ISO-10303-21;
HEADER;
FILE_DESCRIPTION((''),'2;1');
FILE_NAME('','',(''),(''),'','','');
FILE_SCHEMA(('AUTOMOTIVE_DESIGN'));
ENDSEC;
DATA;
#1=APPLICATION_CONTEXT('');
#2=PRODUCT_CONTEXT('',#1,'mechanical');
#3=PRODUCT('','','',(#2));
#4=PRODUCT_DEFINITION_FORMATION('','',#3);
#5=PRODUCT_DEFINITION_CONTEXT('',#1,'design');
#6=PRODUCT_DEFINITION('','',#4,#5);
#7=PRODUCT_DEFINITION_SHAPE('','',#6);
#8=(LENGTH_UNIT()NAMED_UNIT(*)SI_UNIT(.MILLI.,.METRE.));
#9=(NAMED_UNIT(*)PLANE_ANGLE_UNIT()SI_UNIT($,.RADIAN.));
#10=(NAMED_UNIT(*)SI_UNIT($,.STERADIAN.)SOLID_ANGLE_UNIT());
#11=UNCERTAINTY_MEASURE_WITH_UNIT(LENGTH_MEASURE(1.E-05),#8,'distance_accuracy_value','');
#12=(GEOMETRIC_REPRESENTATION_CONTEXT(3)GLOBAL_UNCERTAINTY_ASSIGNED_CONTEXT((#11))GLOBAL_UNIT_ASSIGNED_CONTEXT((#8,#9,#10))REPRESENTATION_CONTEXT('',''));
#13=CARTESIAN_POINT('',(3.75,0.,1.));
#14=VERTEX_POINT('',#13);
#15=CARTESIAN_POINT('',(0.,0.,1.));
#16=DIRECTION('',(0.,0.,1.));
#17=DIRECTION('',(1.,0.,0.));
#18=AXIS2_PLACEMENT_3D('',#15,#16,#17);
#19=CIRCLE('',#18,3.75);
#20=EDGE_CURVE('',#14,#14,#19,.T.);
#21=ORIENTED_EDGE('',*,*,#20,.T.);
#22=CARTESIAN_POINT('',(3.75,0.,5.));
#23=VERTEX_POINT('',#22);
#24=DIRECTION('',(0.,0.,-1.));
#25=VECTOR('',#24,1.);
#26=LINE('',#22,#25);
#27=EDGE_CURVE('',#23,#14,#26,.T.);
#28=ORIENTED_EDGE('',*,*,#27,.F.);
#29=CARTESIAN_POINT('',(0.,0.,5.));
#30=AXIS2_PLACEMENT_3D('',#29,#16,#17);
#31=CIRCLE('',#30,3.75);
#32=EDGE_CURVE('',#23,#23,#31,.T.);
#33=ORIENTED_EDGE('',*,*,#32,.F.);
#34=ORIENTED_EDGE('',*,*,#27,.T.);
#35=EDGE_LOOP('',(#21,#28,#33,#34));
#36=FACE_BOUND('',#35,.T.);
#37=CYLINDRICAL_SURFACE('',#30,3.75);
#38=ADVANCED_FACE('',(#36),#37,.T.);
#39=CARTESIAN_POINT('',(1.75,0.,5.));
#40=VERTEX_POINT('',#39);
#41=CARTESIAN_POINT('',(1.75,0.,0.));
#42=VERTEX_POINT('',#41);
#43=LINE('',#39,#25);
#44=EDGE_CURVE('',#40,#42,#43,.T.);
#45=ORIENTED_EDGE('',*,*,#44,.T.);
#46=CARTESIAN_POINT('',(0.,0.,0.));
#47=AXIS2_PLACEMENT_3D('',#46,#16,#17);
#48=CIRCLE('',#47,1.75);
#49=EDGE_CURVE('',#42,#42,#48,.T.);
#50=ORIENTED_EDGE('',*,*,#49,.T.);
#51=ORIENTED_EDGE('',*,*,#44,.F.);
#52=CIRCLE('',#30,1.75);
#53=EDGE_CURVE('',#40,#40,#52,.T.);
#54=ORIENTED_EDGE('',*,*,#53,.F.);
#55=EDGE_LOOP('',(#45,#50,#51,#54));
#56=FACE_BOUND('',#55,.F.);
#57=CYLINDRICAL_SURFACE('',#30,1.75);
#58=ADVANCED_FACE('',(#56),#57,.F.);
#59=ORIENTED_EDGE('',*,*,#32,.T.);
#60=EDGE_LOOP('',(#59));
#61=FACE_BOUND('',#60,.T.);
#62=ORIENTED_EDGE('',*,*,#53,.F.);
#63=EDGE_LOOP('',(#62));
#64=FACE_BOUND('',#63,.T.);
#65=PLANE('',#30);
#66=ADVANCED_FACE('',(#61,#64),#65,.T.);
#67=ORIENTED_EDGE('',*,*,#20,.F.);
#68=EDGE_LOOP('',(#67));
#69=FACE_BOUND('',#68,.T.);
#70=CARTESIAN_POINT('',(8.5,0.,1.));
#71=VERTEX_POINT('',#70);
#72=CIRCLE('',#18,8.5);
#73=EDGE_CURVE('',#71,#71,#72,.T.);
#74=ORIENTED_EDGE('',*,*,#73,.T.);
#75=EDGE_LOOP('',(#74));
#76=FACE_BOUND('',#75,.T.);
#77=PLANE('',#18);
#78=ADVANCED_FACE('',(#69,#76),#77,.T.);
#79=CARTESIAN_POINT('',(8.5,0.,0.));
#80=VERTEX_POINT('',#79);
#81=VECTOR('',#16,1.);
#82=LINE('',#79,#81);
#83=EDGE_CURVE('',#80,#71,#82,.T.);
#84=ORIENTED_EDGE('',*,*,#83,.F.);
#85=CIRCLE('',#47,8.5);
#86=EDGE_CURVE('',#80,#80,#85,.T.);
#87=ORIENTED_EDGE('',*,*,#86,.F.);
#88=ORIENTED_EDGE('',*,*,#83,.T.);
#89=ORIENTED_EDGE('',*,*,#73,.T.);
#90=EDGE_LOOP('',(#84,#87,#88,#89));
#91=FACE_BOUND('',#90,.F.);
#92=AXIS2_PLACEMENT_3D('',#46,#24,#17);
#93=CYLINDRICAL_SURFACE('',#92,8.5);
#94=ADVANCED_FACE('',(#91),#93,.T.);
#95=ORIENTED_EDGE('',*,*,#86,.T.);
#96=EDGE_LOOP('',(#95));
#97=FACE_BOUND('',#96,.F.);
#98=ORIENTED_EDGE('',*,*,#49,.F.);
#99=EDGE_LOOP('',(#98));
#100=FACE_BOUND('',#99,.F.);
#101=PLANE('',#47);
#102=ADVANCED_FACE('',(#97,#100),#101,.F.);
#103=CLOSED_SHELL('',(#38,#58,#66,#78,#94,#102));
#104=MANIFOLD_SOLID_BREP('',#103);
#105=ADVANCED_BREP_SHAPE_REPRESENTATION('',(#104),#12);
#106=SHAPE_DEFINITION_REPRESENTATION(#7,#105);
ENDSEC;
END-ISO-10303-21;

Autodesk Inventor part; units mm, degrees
ref_plane "YZ Plane" through (0, 0, 0) normal (1, 0, 0) x (0, 1, 0)
ref_plane "XZ Plane" through (0, 0, 0) normal (0, 1, 0) x (-1, 0, 0)
ref_plane "XY Plane" through (0, 0, 0) normal (0, 0, 1) x (1, 0, 0)
sketch "Sketch1" plane through (0, 0, 0) normal (0, 0, 1) x (1, 0, 0)
  circle A0 centre (0, 0) radius 8.5
  dimension "d0" = 17
extrude "Extrusion1" add sketch "Sketch1" along normal blind 5
sketch "Sketch2" plane through (0, 0, 5) normal (0, 0, 1) x (1, 0, 0)
  circle A0 centre (0, 0) radius 3.75
  circle A1 centre (0, 0) radius 8.5 projected
  dimension "d3" = 7.5
extrude "Extrusion2" cut sketch "Sketch2" against normal blind 4
sketch "Sketch3" plane through (0, 0, 5) normal (0, 0, 1) x (1, 0, 0)
  circle A0 centre (0, 0) radius 1.75
  dimension "d6" = 3.5
extrude "Extrusion3" cut sketch "Sketch3" against normal through all
properties part number "fijador.rodamiento02"
